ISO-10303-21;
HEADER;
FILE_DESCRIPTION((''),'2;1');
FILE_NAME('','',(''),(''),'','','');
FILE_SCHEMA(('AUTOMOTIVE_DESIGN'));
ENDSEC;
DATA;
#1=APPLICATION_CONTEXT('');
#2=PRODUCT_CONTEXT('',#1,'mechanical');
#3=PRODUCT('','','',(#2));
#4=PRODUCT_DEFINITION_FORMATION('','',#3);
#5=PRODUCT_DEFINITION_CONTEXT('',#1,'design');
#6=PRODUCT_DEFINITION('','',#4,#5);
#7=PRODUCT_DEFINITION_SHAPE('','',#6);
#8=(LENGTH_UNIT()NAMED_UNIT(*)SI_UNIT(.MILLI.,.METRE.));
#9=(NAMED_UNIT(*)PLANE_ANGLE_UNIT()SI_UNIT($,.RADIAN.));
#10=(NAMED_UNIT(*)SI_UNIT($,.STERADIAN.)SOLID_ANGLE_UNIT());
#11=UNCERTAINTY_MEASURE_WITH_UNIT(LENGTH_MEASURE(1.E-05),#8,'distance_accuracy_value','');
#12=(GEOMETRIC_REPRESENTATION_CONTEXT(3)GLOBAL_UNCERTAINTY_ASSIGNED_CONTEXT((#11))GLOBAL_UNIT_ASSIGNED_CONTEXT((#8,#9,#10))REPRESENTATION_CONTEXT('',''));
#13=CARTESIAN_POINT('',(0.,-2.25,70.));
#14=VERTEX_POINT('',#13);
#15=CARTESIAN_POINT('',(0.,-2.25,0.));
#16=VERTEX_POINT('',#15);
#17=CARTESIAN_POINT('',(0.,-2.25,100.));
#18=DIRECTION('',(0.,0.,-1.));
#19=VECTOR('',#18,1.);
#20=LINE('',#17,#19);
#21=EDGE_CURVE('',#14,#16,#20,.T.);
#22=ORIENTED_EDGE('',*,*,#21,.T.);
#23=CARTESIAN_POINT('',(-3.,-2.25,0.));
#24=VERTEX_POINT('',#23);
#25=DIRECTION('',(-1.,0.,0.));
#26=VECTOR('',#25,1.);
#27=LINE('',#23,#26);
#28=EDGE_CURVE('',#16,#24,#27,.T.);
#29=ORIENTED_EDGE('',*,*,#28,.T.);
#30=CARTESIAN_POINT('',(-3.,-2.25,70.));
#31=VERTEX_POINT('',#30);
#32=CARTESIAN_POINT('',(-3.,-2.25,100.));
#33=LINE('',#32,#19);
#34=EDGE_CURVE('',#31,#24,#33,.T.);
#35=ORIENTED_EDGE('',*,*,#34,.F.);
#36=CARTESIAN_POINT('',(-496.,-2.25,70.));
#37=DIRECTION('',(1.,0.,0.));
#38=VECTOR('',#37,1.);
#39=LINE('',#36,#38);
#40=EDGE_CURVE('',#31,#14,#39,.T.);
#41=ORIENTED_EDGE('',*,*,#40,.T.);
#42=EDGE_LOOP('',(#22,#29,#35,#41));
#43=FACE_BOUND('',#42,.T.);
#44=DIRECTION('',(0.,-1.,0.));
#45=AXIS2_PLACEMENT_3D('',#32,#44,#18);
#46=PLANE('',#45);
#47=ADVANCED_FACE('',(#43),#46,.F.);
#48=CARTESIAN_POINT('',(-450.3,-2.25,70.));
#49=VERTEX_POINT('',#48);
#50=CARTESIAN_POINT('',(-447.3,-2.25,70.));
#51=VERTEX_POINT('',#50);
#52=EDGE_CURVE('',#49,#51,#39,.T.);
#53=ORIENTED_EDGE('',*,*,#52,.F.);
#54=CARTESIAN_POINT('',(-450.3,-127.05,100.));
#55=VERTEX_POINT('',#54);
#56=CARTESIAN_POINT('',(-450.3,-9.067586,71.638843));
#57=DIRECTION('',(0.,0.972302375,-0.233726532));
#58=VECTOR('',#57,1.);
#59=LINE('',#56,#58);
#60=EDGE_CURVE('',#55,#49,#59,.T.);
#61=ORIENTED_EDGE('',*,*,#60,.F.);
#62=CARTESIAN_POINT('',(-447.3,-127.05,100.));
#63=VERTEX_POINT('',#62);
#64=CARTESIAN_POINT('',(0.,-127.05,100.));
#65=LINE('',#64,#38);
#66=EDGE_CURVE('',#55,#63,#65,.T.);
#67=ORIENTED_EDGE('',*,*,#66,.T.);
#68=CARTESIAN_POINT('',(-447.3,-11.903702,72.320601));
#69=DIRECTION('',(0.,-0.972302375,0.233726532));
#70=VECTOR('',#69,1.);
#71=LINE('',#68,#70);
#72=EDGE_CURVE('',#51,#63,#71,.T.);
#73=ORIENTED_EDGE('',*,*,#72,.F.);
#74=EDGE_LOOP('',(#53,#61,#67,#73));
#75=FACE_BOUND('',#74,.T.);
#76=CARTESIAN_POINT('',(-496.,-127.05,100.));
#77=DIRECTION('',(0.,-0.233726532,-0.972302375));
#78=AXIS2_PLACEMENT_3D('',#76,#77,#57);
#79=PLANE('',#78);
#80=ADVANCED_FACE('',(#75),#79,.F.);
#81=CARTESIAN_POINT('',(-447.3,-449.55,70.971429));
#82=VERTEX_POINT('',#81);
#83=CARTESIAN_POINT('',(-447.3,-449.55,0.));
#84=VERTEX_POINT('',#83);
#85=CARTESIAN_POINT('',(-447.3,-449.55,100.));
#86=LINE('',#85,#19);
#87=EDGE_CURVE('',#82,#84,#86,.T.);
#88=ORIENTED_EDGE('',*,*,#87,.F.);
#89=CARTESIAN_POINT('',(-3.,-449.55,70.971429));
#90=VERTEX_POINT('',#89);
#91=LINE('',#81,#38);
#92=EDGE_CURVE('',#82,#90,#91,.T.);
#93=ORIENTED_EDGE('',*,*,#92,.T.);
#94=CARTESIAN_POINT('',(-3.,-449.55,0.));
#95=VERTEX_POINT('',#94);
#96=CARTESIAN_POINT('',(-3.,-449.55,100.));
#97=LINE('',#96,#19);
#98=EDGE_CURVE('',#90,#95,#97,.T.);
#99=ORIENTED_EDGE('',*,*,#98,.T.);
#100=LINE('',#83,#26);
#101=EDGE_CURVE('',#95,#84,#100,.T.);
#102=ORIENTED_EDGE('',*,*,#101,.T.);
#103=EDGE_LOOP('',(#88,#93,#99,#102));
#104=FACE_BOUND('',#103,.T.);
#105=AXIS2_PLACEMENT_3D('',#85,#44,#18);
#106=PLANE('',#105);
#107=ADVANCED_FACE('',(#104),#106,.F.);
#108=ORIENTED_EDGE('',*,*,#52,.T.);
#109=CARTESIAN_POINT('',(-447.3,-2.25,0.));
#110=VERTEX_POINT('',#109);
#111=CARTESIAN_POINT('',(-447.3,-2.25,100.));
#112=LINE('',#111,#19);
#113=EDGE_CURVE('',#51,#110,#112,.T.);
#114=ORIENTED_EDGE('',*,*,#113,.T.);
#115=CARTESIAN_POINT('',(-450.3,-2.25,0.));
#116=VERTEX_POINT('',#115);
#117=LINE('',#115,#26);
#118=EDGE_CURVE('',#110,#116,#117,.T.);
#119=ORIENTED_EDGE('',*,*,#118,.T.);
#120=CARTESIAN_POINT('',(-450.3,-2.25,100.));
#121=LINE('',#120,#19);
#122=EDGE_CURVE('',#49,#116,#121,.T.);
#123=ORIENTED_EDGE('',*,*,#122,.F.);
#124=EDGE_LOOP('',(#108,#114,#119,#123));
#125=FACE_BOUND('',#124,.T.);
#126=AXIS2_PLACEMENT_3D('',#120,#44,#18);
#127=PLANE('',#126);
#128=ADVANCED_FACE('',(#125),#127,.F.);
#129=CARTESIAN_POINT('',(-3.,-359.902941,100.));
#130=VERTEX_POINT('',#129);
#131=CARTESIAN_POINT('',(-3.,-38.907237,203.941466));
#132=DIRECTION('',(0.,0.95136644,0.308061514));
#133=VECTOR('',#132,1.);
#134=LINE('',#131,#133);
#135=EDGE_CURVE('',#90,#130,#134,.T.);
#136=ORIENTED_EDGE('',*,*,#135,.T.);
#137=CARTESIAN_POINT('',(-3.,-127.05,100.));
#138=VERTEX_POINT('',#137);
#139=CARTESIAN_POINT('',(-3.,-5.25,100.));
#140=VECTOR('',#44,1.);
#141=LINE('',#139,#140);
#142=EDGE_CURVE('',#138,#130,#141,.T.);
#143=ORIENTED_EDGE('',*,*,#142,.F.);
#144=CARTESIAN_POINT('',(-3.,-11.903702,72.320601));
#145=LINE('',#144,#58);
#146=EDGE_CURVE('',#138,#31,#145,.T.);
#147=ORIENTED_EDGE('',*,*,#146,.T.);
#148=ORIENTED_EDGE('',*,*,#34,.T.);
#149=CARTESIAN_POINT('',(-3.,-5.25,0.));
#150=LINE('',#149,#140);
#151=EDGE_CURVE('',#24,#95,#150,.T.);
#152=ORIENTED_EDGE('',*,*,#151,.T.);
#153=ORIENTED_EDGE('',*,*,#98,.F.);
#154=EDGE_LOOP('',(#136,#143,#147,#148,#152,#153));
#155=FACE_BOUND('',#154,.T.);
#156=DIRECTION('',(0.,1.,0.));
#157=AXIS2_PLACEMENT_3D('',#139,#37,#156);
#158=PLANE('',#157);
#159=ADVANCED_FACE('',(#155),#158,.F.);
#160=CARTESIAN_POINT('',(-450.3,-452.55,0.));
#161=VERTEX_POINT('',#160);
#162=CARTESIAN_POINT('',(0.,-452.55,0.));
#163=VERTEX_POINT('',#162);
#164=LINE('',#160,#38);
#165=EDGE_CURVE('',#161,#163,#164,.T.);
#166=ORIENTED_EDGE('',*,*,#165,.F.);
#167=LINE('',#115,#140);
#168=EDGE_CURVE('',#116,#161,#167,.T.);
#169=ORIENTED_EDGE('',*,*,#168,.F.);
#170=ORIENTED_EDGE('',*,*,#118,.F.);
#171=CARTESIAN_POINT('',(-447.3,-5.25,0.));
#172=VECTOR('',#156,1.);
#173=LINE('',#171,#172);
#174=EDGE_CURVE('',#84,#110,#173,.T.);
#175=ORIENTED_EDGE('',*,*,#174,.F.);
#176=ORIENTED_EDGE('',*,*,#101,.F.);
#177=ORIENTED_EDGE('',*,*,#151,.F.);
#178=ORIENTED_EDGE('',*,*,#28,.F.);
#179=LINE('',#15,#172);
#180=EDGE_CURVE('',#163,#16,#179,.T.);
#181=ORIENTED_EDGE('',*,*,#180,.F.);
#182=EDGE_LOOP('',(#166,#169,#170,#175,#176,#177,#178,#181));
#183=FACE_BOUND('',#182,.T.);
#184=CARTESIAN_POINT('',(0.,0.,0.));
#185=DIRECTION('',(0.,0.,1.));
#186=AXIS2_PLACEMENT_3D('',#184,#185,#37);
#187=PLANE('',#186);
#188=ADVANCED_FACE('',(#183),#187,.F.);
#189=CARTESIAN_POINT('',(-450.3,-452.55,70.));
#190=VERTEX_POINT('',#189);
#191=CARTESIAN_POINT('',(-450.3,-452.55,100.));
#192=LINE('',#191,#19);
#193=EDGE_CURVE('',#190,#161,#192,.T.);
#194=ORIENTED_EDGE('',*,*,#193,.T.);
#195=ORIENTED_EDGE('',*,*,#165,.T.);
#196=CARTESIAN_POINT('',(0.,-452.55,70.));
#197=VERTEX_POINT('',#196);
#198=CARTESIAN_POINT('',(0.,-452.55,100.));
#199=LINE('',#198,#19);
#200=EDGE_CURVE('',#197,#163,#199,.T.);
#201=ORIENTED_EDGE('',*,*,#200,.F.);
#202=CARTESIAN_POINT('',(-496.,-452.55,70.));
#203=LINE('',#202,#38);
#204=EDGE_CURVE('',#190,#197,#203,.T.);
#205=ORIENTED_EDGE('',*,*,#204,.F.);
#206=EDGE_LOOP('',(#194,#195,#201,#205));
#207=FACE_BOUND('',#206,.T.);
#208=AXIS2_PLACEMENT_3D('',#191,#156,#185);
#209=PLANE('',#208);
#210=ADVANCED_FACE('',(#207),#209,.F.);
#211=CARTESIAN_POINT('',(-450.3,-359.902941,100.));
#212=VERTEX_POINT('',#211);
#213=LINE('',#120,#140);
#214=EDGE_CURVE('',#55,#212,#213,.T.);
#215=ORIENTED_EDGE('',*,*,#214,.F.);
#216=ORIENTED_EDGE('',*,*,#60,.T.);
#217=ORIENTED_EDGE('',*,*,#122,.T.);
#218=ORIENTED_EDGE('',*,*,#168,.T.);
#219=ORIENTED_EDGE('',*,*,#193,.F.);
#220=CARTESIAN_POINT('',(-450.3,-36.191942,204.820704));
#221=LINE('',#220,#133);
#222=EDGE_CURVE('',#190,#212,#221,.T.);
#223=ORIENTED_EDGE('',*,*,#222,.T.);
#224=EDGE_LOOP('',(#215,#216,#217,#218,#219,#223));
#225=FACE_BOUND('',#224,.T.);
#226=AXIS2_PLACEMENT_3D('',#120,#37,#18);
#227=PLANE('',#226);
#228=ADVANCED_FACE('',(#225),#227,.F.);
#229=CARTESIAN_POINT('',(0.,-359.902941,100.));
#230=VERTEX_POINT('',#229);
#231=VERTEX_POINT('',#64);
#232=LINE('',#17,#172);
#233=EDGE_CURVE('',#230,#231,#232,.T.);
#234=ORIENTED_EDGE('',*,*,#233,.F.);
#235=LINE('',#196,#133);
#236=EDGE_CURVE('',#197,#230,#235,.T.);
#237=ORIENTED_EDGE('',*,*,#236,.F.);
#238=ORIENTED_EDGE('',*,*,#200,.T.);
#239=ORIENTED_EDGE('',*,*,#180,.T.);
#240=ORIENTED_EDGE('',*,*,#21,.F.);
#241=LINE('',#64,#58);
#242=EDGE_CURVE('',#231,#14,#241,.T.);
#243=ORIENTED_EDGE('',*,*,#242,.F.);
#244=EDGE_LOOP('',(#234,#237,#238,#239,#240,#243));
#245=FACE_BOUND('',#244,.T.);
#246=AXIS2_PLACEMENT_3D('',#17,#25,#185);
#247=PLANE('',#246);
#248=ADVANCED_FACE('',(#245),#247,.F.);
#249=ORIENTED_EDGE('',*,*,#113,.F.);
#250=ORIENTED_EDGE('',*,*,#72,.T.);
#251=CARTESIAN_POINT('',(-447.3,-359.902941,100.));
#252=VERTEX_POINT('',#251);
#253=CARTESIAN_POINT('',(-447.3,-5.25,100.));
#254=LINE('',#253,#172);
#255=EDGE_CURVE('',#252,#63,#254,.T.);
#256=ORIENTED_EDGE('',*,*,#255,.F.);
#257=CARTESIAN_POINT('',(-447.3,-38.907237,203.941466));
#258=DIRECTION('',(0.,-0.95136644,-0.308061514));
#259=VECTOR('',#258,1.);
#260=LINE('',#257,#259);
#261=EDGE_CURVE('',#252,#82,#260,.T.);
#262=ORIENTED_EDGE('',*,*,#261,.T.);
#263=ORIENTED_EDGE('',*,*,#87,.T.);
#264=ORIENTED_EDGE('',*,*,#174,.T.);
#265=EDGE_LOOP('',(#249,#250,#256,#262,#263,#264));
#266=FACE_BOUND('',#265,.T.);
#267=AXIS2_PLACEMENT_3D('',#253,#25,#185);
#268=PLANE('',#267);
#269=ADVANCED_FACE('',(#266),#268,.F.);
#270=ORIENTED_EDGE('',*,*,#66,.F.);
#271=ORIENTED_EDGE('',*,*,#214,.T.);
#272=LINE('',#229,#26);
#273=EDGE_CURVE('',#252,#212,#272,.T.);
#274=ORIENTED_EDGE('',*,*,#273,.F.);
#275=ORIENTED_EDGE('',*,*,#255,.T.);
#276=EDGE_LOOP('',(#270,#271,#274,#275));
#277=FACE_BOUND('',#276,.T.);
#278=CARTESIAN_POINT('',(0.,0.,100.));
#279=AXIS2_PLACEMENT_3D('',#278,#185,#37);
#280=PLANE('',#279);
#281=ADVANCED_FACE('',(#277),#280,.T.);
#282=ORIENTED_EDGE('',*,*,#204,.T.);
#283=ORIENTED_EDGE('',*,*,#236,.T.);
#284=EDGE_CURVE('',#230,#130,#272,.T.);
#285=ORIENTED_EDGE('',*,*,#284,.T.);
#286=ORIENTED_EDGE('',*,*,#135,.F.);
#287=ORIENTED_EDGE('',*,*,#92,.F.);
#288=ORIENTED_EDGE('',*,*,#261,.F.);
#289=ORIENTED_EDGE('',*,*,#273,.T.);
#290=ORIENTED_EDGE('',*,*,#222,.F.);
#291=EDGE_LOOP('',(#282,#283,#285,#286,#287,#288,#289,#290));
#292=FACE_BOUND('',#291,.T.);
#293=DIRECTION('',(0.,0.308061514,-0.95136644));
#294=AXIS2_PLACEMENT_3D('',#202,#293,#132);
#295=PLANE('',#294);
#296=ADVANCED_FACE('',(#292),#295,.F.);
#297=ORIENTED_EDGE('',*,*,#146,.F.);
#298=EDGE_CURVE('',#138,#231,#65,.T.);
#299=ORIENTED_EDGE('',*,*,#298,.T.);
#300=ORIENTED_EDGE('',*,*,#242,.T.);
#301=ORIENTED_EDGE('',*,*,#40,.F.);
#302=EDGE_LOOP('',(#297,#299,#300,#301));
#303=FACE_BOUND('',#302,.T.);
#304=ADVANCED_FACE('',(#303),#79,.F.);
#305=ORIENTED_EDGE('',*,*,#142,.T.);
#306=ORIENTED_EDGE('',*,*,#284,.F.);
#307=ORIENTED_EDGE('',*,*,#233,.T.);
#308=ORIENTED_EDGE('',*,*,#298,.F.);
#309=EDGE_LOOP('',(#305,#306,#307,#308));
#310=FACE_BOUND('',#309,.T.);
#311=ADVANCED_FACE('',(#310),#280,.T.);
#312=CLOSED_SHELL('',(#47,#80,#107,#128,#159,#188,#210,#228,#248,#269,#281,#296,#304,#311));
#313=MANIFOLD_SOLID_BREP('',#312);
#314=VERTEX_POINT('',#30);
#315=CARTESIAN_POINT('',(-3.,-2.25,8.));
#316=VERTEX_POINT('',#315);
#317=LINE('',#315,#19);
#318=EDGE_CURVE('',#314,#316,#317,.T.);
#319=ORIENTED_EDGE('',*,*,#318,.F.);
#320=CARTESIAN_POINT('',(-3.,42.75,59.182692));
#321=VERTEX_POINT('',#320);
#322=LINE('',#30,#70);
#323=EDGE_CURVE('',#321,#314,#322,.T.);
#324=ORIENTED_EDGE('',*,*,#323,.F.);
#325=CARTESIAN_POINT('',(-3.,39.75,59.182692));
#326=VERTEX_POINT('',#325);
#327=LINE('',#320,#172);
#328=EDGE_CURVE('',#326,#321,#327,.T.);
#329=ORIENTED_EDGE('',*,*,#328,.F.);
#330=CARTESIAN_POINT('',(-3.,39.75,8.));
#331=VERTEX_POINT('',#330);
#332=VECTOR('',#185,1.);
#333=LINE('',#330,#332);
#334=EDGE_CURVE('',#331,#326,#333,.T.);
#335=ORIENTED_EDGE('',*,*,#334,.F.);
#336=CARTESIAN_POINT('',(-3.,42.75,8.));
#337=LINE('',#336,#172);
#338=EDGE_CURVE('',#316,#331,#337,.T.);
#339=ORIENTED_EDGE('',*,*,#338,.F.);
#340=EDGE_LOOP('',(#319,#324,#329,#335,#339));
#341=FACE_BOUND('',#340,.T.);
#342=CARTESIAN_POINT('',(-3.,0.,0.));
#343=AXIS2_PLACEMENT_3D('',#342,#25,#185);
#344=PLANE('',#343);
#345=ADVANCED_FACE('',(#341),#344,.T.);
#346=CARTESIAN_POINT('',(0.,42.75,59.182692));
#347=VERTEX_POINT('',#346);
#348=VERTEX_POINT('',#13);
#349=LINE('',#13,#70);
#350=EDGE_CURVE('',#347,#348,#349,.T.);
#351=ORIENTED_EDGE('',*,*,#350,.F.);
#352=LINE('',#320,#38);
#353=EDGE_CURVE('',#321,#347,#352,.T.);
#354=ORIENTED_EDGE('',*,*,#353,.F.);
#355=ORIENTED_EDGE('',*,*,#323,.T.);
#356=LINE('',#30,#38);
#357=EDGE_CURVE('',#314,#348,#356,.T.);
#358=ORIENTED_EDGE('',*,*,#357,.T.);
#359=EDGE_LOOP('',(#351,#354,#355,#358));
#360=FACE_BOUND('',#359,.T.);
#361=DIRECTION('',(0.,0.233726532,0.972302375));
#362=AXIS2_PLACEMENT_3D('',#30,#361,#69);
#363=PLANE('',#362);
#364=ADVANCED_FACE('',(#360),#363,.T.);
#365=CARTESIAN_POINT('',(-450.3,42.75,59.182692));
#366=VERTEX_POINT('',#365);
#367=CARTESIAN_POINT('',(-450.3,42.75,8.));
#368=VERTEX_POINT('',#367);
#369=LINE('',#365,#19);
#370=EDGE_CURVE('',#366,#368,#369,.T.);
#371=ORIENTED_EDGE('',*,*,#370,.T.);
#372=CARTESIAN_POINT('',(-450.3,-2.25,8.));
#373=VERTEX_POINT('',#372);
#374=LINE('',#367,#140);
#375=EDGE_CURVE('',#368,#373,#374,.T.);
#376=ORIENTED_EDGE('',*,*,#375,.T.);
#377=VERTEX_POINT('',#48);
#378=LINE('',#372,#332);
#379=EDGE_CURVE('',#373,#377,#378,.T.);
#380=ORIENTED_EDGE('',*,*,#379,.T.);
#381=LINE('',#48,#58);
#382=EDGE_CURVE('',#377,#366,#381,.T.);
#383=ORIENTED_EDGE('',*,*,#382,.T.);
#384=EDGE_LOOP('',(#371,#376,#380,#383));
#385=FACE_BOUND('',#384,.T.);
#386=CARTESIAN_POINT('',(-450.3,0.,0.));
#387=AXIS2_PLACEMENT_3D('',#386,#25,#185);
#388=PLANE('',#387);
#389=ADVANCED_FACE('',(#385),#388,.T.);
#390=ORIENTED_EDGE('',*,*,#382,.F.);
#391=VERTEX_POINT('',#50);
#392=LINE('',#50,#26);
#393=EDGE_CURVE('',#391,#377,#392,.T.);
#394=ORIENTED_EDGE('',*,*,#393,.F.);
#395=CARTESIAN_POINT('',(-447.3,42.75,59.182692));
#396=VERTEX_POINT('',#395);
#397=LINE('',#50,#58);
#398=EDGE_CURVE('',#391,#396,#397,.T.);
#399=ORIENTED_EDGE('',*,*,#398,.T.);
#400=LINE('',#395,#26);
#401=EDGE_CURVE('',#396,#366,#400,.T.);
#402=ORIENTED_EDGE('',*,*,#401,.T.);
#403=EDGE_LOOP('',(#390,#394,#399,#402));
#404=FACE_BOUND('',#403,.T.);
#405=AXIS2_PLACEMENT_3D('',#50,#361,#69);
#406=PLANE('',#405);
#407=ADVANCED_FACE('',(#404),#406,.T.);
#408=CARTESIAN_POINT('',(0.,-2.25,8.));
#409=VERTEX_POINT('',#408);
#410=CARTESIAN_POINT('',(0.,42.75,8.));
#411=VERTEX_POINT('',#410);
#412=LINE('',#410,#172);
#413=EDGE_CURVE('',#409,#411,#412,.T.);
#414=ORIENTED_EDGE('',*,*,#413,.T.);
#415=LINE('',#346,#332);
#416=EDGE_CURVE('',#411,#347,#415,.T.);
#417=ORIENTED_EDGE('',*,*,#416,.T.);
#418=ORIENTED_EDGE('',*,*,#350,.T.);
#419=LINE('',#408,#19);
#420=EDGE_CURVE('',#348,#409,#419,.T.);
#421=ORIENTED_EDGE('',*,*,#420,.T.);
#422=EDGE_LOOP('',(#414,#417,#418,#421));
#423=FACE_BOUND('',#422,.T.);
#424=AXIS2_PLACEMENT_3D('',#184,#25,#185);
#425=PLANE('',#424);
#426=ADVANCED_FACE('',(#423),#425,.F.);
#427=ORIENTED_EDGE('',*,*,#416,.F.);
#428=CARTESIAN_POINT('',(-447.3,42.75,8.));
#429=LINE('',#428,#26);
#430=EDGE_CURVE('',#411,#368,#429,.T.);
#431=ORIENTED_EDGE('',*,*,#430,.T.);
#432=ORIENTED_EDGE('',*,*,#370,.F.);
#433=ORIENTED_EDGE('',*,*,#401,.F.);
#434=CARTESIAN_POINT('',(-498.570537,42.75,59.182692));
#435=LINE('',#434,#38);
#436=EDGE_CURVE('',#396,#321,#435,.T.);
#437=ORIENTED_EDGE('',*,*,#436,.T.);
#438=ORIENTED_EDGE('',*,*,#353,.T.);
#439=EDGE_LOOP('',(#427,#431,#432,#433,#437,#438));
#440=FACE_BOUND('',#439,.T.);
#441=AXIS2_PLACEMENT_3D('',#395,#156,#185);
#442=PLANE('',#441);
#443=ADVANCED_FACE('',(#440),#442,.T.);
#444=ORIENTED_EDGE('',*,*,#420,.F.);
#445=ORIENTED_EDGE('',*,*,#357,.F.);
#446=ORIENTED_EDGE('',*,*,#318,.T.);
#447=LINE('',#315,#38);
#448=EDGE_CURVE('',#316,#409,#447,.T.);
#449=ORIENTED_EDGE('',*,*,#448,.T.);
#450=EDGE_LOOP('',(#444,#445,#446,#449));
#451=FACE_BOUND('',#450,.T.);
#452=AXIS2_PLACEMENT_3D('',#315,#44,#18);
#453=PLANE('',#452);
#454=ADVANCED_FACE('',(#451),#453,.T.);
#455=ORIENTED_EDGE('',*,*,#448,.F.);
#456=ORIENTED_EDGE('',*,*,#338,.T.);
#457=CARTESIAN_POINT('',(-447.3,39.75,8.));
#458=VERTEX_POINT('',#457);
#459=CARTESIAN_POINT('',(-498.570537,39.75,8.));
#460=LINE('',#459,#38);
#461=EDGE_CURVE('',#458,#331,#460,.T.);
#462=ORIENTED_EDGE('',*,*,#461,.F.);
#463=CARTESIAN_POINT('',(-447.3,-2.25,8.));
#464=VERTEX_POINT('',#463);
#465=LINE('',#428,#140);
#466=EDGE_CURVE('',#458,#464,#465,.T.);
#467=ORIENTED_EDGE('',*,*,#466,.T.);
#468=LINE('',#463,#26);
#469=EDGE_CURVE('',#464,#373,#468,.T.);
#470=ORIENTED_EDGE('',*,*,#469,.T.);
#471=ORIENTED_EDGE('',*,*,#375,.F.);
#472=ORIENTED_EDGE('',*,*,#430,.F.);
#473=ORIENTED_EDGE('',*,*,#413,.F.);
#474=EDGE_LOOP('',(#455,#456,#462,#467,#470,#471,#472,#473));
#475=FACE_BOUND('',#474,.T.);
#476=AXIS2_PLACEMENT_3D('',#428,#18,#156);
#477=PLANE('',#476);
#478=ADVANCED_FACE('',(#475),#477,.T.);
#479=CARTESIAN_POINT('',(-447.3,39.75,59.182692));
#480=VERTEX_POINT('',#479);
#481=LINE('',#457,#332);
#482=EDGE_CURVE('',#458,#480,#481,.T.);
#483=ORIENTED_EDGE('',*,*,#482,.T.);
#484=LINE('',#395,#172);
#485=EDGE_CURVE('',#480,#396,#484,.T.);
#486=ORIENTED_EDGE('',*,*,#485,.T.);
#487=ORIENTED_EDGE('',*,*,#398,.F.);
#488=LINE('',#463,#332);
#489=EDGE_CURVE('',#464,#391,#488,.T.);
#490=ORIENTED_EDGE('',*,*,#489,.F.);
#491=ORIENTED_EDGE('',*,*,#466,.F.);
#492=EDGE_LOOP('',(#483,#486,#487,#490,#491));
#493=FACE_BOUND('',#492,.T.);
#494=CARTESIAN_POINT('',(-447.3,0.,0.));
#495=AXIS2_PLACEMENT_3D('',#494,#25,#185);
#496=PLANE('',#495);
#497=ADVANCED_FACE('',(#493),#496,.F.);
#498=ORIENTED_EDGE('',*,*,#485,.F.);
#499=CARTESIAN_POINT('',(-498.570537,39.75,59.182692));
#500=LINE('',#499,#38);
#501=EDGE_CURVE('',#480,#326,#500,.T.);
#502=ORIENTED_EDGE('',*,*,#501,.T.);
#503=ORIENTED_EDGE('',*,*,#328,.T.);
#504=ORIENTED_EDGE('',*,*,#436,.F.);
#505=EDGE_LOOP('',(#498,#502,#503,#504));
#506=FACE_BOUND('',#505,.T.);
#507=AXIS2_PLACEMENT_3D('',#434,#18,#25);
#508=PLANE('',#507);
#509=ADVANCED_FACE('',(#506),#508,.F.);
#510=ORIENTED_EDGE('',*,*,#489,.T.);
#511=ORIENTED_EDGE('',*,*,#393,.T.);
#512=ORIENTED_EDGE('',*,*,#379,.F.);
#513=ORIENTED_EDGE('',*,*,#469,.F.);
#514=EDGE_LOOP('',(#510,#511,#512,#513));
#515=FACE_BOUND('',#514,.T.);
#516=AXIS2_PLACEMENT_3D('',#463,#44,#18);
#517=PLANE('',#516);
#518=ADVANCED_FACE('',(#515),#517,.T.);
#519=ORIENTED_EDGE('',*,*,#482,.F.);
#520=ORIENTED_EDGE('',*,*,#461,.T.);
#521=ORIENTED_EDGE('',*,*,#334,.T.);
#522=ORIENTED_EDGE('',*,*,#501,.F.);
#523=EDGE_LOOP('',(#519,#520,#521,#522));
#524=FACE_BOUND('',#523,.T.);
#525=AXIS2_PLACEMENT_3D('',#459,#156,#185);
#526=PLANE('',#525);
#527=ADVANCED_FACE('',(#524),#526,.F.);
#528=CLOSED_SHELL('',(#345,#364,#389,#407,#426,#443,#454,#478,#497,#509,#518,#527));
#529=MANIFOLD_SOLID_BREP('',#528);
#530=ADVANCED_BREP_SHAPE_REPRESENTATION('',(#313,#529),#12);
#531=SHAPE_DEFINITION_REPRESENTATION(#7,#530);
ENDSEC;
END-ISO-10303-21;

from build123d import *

# Parameters (mm, degrees)
BOSS_EXTRU_1_DEPTH      = 100
ENL_V_MAT_EXTRU_1_DEPTH = 496
BOSS_EXTRU_8_DEPTH      = 3
BOSS_EXTRU_9_DEPTH      = 3
ESQUISSE11_W            = 51.182692308
ESQUISSE11_H            = 3
BOSS_EXTRU_10_DEPTH     = 444.3


with BuildPart() as part:
    # Esquisse1 → Boss.-Extru.1 (new body)
    with BuildSketch(Plane.XY):
        Polygon((-447.3, -5.25), (-447.3, -449.55), (-3, -449.55), (-3, -5.25), (-3, -2.25), (0, -2.25), (0, -452.55), (-450.3, -452.55), (-450.3, -2.25), (-447.3, -2.25), align=None)
    extrude(amount=BOSS_EXTRU_1_DEPTH)

    # Esquisse2 → Enlèv. mat.-Extru.1 (cut)
    with BuildSketch(Plane(origin=(0, 0, 0), x_dir=(0, 0, -1), z_dir=(1, 0, 0))):
        Polygon((-70, -452.55), (-100, -359.902941176), (-100, -452.55), align=None)
        Polygon((-100, -127.05), (-70, -2.25), (-100, -2.25), align=None)
    extrude(amount=-ENL_V_MAT_EXTRU_1_DEPTH, mode=Mode.SUBTRACT)


with BuildPart() as body_2:
    # Esquisse9 → Boss.-Extru.8 (new body)
    with BuildSketch(Plane.ZY.offset(450.3)):
        Polygon((8, -2.25), (70, -2.25), (59.182692308, 42.75), (8, 42.75), align=None)
    extrude(amount=-BOSS_EXTRU_8_DEPTH)



with BuildPart() as body_3:
    # Esquisse10 → Boss.-Extru.9 (new body)
    with BuildSketch(Plane(origin=(0, 0, 0), x_dir=(0, 0, -1), z_dir=(1, 0, 0))):
        Polygon((-8, -2.25), (-70, -2.25), (-59.182692308, 42.75), (-8, 42.75), align=None)
    extrude(amount=-BOSS_EXTRU_9_DEPTH)


with BuildPart() as body_2_1:
    add(body_2.part)

    add(body_3.part)  # Boss.-Extru.10 merges body 3
    # Esquisse11 → Boss.-Extru.10 (add)
    with BuildSketch(Plane.ZY.offset(3)):
        with Locations((33.591346154, 41.25)):
            Rectangle(ESQUISSE11_W, ESQUISSE11_H)
    extrude(amount=BOSS_EXTRU_10_DEPTH)


solid = Compound([part.part, body_2_1.part])
